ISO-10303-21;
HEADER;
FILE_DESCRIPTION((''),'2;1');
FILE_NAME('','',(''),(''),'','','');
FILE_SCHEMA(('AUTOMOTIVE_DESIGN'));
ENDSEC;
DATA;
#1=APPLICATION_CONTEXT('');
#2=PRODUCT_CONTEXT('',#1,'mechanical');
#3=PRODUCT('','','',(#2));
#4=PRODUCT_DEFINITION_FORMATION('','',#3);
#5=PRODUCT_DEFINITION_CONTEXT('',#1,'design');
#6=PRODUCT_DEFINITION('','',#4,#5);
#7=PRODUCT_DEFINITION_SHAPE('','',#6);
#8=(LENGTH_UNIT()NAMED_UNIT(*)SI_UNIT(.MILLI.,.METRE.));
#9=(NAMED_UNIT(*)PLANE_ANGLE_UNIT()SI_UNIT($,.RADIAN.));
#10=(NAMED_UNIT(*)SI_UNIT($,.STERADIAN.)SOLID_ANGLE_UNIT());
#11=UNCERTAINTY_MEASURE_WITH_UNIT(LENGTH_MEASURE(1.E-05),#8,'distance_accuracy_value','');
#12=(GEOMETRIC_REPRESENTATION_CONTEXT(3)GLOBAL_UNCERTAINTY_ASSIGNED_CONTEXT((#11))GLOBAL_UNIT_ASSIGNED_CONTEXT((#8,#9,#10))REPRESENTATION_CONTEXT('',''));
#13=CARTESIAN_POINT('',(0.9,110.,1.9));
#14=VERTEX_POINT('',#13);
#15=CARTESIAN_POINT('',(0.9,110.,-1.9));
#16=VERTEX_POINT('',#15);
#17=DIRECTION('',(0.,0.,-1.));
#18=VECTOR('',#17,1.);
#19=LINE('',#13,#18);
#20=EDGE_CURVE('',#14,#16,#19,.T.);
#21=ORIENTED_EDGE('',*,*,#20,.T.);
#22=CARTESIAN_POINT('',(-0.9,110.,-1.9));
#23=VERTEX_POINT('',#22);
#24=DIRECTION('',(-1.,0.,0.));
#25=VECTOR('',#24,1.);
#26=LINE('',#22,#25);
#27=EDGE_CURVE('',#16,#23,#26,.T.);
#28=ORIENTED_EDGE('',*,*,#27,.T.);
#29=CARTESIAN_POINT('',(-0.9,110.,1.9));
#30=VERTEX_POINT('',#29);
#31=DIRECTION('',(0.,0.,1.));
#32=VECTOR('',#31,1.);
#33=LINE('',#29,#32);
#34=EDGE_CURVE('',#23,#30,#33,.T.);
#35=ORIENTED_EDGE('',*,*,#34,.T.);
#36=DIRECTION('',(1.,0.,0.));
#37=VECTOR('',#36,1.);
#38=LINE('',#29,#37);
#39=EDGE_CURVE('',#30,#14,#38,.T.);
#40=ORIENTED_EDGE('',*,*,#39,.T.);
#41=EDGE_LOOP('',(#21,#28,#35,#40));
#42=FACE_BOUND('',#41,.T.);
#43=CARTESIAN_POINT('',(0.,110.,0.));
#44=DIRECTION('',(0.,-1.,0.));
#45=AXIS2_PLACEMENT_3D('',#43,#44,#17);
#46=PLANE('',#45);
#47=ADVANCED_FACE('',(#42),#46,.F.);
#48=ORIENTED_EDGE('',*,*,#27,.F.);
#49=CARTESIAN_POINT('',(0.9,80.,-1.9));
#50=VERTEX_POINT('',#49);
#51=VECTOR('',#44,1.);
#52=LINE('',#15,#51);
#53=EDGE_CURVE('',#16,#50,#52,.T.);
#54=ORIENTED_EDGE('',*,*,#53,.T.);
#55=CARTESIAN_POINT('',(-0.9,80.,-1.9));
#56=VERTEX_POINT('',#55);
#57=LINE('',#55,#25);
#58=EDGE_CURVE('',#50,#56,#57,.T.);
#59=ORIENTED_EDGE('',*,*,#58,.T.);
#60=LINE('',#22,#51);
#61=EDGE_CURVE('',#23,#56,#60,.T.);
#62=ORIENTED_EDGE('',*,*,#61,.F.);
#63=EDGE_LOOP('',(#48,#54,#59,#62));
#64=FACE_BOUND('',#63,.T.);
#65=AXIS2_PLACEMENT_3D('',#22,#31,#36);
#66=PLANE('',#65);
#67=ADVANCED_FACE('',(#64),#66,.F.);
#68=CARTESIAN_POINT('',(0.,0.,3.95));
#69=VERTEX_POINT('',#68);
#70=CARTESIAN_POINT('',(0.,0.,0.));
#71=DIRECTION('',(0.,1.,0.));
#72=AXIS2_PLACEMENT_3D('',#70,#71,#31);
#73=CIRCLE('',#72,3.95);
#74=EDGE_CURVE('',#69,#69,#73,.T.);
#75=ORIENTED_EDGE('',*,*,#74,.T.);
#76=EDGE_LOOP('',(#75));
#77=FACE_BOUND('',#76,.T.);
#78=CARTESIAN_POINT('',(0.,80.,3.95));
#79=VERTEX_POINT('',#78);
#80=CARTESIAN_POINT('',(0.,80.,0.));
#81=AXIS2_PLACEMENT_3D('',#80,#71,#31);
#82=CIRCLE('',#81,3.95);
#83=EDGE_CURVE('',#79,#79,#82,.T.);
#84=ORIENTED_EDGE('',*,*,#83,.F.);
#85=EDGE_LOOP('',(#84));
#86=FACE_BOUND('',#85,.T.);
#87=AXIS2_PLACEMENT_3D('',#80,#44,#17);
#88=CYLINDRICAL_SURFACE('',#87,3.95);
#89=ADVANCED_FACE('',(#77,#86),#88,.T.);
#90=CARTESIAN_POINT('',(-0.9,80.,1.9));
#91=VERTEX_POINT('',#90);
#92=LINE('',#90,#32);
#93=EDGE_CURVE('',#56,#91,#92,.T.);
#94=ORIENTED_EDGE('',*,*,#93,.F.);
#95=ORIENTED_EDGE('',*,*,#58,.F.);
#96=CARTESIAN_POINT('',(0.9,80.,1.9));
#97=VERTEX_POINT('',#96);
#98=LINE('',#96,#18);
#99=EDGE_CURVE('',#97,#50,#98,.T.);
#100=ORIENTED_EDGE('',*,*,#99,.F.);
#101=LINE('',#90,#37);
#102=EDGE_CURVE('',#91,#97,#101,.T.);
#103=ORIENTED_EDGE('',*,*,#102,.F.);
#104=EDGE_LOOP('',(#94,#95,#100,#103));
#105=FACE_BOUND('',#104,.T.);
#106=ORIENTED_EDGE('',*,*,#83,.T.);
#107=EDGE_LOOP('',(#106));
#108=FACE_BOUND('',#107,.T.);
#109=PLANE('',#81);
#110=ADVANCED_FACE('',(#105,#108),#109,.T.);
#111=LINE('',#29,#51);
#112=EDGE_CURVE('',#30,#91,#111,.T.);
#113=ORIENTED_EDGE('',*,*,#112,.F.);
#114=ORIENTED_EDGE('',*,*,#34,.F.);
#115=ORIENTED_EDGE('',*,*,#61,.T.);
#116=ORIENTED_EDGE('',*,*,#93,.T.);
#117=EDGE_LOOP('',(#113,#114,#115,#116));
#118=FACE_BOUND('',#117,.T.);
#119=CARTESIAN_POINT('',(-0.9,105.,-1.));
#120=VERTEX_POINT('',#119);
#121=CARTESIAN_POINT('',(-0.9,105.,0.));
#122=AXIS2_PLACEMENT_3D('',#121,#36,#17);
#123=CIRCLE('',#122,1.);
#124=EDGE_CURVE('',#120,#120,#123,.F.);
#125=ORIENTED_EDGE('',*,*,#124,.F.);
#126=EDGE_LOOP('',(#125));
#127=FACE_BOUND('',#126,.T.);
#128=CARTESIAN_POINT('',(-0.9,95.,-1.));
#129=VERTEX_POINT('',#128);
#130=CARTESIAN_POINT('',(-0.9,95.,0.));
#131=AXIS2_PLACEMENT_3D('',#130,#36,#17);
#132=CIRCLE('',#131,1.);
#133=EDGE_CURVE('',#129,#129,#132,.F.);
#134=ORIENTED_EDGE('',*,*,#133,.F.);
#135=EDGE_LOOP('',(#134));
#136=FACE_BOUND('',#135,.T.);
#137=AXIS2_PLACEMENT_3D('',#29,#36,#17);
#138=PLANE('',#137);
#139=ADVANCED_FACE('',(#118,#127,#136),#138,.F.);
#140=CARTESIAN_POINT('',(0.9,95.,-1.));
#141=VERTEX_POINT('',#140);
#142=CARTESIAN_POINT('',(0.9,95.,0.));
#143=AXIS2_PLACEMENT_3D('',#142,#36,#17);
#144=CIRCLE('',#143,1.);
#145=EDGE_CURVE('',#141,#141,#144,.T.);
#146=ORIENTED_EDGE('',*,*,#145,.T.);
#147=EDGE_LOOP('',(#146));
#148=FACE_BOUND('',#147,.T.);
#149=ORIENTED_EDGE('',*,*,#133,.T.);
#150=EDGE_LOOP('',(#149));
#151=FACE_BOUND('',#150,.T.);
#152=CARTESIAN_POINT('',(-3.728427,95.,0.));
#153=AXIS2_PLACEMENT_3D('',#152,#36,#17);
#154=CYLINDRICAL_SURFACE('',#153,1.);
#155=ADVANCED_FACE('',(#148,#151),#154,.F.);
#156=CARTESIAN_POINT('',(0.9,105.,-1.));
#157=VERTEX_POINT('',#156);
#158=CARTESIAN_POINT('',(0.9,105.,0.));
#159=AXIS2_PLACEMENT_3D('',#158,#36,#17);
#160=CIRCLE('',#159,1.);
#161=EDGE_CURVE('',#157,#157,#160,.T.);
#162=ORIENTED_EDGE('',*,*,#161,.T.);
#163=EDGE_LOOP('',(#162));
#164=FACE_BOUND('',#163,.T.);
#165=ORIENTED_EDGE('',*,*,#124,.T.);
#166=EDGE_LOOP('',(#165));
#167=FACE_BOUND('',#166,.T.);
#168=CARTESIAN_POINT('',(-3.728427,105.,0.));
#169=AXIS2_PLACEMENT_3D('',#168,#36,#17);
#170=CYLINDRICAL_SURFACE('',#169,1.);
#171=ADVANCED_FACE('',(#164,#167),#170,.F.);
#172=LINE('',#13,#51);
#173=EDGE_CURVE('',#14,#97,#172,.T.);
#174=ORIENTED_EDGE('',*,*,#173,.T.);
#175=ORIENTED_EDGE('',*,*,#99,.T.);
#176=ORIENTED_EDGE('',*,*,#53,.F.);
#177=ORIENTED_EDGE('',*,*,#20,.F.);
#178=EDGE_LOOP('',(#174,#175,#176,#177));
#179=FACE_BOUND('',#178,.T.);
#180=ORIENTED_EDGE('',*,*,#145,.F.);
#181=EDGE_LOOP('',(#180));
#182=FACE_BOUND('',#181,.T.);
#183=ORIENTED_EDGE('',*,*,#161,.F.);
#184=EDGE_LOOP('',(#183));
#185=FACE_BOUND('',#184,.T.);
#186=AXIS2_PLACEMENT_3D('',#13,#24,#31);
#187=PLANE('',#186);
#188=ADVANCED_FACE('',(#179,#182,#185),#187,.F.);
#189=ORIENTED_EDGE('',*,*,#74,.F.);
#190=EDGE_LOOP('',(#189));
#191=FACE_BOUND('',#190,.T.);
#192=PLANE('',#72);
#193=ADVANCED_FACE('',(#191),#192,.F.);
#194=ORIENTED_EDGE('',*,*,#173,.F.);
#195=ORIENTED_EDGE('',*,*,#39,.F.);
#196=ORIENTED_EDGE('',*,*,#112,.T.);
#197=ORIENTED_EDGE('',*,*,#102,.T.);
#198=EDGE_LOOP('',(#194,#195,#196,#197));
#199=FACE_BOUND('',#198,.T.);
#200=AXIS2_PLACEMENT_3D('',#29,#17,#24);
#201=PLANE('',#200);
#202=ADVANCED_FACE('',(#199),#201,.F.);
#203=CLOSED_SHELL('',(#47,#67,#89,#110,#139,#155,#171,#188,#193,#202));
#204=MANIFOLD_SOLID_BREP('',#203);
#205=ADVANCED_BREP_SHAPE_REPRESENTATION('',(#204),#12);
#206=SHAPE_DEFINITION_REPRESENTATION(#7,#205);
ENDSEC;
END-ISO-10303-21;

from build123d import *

# Parameters (mm, degrees)
SKETCH2_R           = 3.95
BOSS_EXTRUDE1_DEPTH = 80
SKETCH3_W           = 1.8
SKETCH3_H           = 3.8
BOSS_EXTRUDE3_DEPTH = 30
SKETCH5_R           = 1
CUT_EXTRUDE1_DEPTH  = 1.8


with BuildPart() as part:
    # Sketch2 → Boss-Extrude1 (new body)
    with BuildSketch(Plane(origin=(0, 0, 0), x_dir=(1, 0, 0), z_dir=(0, 1, 0))):
        with Locations(Location((0, 0, 0), (0, 0, 270))):  # turned: the seam where the file's is
            Circle(SKETCH2_R)
    extrude(amount=BOSS_EXTRUDE1_DEPTH)

    # Sketch3 → Boss-Extrude3 (add)
    with BuildSketch(Plane(origin=(0, 80, 0), x_dir=(1, 0, 0), z_dir=(0, 1, 0))):
        Rectangle(SKETCH3_W, SKETCH3_H)
    extrude(amount=BOSS_EXTRUDE3_DEPTH)

    # Sketch5 → Cut-Extrude1 (cut)
    with BuildSketch(Plane(origin=(0.9, 0, 0), x_dir=(0, 0, -1), z_dir=(1, 0, 0))):
        with Locations((0, 105)):
            Circle(SKETCH5_R)
        with Locations((0, 95)):
            Circle(SKETCH5_R)
    extrude(amount=-CUT_EXTRUDE1_DEPTH, mode=Mode.SUBTRACT)


solid = part.part
